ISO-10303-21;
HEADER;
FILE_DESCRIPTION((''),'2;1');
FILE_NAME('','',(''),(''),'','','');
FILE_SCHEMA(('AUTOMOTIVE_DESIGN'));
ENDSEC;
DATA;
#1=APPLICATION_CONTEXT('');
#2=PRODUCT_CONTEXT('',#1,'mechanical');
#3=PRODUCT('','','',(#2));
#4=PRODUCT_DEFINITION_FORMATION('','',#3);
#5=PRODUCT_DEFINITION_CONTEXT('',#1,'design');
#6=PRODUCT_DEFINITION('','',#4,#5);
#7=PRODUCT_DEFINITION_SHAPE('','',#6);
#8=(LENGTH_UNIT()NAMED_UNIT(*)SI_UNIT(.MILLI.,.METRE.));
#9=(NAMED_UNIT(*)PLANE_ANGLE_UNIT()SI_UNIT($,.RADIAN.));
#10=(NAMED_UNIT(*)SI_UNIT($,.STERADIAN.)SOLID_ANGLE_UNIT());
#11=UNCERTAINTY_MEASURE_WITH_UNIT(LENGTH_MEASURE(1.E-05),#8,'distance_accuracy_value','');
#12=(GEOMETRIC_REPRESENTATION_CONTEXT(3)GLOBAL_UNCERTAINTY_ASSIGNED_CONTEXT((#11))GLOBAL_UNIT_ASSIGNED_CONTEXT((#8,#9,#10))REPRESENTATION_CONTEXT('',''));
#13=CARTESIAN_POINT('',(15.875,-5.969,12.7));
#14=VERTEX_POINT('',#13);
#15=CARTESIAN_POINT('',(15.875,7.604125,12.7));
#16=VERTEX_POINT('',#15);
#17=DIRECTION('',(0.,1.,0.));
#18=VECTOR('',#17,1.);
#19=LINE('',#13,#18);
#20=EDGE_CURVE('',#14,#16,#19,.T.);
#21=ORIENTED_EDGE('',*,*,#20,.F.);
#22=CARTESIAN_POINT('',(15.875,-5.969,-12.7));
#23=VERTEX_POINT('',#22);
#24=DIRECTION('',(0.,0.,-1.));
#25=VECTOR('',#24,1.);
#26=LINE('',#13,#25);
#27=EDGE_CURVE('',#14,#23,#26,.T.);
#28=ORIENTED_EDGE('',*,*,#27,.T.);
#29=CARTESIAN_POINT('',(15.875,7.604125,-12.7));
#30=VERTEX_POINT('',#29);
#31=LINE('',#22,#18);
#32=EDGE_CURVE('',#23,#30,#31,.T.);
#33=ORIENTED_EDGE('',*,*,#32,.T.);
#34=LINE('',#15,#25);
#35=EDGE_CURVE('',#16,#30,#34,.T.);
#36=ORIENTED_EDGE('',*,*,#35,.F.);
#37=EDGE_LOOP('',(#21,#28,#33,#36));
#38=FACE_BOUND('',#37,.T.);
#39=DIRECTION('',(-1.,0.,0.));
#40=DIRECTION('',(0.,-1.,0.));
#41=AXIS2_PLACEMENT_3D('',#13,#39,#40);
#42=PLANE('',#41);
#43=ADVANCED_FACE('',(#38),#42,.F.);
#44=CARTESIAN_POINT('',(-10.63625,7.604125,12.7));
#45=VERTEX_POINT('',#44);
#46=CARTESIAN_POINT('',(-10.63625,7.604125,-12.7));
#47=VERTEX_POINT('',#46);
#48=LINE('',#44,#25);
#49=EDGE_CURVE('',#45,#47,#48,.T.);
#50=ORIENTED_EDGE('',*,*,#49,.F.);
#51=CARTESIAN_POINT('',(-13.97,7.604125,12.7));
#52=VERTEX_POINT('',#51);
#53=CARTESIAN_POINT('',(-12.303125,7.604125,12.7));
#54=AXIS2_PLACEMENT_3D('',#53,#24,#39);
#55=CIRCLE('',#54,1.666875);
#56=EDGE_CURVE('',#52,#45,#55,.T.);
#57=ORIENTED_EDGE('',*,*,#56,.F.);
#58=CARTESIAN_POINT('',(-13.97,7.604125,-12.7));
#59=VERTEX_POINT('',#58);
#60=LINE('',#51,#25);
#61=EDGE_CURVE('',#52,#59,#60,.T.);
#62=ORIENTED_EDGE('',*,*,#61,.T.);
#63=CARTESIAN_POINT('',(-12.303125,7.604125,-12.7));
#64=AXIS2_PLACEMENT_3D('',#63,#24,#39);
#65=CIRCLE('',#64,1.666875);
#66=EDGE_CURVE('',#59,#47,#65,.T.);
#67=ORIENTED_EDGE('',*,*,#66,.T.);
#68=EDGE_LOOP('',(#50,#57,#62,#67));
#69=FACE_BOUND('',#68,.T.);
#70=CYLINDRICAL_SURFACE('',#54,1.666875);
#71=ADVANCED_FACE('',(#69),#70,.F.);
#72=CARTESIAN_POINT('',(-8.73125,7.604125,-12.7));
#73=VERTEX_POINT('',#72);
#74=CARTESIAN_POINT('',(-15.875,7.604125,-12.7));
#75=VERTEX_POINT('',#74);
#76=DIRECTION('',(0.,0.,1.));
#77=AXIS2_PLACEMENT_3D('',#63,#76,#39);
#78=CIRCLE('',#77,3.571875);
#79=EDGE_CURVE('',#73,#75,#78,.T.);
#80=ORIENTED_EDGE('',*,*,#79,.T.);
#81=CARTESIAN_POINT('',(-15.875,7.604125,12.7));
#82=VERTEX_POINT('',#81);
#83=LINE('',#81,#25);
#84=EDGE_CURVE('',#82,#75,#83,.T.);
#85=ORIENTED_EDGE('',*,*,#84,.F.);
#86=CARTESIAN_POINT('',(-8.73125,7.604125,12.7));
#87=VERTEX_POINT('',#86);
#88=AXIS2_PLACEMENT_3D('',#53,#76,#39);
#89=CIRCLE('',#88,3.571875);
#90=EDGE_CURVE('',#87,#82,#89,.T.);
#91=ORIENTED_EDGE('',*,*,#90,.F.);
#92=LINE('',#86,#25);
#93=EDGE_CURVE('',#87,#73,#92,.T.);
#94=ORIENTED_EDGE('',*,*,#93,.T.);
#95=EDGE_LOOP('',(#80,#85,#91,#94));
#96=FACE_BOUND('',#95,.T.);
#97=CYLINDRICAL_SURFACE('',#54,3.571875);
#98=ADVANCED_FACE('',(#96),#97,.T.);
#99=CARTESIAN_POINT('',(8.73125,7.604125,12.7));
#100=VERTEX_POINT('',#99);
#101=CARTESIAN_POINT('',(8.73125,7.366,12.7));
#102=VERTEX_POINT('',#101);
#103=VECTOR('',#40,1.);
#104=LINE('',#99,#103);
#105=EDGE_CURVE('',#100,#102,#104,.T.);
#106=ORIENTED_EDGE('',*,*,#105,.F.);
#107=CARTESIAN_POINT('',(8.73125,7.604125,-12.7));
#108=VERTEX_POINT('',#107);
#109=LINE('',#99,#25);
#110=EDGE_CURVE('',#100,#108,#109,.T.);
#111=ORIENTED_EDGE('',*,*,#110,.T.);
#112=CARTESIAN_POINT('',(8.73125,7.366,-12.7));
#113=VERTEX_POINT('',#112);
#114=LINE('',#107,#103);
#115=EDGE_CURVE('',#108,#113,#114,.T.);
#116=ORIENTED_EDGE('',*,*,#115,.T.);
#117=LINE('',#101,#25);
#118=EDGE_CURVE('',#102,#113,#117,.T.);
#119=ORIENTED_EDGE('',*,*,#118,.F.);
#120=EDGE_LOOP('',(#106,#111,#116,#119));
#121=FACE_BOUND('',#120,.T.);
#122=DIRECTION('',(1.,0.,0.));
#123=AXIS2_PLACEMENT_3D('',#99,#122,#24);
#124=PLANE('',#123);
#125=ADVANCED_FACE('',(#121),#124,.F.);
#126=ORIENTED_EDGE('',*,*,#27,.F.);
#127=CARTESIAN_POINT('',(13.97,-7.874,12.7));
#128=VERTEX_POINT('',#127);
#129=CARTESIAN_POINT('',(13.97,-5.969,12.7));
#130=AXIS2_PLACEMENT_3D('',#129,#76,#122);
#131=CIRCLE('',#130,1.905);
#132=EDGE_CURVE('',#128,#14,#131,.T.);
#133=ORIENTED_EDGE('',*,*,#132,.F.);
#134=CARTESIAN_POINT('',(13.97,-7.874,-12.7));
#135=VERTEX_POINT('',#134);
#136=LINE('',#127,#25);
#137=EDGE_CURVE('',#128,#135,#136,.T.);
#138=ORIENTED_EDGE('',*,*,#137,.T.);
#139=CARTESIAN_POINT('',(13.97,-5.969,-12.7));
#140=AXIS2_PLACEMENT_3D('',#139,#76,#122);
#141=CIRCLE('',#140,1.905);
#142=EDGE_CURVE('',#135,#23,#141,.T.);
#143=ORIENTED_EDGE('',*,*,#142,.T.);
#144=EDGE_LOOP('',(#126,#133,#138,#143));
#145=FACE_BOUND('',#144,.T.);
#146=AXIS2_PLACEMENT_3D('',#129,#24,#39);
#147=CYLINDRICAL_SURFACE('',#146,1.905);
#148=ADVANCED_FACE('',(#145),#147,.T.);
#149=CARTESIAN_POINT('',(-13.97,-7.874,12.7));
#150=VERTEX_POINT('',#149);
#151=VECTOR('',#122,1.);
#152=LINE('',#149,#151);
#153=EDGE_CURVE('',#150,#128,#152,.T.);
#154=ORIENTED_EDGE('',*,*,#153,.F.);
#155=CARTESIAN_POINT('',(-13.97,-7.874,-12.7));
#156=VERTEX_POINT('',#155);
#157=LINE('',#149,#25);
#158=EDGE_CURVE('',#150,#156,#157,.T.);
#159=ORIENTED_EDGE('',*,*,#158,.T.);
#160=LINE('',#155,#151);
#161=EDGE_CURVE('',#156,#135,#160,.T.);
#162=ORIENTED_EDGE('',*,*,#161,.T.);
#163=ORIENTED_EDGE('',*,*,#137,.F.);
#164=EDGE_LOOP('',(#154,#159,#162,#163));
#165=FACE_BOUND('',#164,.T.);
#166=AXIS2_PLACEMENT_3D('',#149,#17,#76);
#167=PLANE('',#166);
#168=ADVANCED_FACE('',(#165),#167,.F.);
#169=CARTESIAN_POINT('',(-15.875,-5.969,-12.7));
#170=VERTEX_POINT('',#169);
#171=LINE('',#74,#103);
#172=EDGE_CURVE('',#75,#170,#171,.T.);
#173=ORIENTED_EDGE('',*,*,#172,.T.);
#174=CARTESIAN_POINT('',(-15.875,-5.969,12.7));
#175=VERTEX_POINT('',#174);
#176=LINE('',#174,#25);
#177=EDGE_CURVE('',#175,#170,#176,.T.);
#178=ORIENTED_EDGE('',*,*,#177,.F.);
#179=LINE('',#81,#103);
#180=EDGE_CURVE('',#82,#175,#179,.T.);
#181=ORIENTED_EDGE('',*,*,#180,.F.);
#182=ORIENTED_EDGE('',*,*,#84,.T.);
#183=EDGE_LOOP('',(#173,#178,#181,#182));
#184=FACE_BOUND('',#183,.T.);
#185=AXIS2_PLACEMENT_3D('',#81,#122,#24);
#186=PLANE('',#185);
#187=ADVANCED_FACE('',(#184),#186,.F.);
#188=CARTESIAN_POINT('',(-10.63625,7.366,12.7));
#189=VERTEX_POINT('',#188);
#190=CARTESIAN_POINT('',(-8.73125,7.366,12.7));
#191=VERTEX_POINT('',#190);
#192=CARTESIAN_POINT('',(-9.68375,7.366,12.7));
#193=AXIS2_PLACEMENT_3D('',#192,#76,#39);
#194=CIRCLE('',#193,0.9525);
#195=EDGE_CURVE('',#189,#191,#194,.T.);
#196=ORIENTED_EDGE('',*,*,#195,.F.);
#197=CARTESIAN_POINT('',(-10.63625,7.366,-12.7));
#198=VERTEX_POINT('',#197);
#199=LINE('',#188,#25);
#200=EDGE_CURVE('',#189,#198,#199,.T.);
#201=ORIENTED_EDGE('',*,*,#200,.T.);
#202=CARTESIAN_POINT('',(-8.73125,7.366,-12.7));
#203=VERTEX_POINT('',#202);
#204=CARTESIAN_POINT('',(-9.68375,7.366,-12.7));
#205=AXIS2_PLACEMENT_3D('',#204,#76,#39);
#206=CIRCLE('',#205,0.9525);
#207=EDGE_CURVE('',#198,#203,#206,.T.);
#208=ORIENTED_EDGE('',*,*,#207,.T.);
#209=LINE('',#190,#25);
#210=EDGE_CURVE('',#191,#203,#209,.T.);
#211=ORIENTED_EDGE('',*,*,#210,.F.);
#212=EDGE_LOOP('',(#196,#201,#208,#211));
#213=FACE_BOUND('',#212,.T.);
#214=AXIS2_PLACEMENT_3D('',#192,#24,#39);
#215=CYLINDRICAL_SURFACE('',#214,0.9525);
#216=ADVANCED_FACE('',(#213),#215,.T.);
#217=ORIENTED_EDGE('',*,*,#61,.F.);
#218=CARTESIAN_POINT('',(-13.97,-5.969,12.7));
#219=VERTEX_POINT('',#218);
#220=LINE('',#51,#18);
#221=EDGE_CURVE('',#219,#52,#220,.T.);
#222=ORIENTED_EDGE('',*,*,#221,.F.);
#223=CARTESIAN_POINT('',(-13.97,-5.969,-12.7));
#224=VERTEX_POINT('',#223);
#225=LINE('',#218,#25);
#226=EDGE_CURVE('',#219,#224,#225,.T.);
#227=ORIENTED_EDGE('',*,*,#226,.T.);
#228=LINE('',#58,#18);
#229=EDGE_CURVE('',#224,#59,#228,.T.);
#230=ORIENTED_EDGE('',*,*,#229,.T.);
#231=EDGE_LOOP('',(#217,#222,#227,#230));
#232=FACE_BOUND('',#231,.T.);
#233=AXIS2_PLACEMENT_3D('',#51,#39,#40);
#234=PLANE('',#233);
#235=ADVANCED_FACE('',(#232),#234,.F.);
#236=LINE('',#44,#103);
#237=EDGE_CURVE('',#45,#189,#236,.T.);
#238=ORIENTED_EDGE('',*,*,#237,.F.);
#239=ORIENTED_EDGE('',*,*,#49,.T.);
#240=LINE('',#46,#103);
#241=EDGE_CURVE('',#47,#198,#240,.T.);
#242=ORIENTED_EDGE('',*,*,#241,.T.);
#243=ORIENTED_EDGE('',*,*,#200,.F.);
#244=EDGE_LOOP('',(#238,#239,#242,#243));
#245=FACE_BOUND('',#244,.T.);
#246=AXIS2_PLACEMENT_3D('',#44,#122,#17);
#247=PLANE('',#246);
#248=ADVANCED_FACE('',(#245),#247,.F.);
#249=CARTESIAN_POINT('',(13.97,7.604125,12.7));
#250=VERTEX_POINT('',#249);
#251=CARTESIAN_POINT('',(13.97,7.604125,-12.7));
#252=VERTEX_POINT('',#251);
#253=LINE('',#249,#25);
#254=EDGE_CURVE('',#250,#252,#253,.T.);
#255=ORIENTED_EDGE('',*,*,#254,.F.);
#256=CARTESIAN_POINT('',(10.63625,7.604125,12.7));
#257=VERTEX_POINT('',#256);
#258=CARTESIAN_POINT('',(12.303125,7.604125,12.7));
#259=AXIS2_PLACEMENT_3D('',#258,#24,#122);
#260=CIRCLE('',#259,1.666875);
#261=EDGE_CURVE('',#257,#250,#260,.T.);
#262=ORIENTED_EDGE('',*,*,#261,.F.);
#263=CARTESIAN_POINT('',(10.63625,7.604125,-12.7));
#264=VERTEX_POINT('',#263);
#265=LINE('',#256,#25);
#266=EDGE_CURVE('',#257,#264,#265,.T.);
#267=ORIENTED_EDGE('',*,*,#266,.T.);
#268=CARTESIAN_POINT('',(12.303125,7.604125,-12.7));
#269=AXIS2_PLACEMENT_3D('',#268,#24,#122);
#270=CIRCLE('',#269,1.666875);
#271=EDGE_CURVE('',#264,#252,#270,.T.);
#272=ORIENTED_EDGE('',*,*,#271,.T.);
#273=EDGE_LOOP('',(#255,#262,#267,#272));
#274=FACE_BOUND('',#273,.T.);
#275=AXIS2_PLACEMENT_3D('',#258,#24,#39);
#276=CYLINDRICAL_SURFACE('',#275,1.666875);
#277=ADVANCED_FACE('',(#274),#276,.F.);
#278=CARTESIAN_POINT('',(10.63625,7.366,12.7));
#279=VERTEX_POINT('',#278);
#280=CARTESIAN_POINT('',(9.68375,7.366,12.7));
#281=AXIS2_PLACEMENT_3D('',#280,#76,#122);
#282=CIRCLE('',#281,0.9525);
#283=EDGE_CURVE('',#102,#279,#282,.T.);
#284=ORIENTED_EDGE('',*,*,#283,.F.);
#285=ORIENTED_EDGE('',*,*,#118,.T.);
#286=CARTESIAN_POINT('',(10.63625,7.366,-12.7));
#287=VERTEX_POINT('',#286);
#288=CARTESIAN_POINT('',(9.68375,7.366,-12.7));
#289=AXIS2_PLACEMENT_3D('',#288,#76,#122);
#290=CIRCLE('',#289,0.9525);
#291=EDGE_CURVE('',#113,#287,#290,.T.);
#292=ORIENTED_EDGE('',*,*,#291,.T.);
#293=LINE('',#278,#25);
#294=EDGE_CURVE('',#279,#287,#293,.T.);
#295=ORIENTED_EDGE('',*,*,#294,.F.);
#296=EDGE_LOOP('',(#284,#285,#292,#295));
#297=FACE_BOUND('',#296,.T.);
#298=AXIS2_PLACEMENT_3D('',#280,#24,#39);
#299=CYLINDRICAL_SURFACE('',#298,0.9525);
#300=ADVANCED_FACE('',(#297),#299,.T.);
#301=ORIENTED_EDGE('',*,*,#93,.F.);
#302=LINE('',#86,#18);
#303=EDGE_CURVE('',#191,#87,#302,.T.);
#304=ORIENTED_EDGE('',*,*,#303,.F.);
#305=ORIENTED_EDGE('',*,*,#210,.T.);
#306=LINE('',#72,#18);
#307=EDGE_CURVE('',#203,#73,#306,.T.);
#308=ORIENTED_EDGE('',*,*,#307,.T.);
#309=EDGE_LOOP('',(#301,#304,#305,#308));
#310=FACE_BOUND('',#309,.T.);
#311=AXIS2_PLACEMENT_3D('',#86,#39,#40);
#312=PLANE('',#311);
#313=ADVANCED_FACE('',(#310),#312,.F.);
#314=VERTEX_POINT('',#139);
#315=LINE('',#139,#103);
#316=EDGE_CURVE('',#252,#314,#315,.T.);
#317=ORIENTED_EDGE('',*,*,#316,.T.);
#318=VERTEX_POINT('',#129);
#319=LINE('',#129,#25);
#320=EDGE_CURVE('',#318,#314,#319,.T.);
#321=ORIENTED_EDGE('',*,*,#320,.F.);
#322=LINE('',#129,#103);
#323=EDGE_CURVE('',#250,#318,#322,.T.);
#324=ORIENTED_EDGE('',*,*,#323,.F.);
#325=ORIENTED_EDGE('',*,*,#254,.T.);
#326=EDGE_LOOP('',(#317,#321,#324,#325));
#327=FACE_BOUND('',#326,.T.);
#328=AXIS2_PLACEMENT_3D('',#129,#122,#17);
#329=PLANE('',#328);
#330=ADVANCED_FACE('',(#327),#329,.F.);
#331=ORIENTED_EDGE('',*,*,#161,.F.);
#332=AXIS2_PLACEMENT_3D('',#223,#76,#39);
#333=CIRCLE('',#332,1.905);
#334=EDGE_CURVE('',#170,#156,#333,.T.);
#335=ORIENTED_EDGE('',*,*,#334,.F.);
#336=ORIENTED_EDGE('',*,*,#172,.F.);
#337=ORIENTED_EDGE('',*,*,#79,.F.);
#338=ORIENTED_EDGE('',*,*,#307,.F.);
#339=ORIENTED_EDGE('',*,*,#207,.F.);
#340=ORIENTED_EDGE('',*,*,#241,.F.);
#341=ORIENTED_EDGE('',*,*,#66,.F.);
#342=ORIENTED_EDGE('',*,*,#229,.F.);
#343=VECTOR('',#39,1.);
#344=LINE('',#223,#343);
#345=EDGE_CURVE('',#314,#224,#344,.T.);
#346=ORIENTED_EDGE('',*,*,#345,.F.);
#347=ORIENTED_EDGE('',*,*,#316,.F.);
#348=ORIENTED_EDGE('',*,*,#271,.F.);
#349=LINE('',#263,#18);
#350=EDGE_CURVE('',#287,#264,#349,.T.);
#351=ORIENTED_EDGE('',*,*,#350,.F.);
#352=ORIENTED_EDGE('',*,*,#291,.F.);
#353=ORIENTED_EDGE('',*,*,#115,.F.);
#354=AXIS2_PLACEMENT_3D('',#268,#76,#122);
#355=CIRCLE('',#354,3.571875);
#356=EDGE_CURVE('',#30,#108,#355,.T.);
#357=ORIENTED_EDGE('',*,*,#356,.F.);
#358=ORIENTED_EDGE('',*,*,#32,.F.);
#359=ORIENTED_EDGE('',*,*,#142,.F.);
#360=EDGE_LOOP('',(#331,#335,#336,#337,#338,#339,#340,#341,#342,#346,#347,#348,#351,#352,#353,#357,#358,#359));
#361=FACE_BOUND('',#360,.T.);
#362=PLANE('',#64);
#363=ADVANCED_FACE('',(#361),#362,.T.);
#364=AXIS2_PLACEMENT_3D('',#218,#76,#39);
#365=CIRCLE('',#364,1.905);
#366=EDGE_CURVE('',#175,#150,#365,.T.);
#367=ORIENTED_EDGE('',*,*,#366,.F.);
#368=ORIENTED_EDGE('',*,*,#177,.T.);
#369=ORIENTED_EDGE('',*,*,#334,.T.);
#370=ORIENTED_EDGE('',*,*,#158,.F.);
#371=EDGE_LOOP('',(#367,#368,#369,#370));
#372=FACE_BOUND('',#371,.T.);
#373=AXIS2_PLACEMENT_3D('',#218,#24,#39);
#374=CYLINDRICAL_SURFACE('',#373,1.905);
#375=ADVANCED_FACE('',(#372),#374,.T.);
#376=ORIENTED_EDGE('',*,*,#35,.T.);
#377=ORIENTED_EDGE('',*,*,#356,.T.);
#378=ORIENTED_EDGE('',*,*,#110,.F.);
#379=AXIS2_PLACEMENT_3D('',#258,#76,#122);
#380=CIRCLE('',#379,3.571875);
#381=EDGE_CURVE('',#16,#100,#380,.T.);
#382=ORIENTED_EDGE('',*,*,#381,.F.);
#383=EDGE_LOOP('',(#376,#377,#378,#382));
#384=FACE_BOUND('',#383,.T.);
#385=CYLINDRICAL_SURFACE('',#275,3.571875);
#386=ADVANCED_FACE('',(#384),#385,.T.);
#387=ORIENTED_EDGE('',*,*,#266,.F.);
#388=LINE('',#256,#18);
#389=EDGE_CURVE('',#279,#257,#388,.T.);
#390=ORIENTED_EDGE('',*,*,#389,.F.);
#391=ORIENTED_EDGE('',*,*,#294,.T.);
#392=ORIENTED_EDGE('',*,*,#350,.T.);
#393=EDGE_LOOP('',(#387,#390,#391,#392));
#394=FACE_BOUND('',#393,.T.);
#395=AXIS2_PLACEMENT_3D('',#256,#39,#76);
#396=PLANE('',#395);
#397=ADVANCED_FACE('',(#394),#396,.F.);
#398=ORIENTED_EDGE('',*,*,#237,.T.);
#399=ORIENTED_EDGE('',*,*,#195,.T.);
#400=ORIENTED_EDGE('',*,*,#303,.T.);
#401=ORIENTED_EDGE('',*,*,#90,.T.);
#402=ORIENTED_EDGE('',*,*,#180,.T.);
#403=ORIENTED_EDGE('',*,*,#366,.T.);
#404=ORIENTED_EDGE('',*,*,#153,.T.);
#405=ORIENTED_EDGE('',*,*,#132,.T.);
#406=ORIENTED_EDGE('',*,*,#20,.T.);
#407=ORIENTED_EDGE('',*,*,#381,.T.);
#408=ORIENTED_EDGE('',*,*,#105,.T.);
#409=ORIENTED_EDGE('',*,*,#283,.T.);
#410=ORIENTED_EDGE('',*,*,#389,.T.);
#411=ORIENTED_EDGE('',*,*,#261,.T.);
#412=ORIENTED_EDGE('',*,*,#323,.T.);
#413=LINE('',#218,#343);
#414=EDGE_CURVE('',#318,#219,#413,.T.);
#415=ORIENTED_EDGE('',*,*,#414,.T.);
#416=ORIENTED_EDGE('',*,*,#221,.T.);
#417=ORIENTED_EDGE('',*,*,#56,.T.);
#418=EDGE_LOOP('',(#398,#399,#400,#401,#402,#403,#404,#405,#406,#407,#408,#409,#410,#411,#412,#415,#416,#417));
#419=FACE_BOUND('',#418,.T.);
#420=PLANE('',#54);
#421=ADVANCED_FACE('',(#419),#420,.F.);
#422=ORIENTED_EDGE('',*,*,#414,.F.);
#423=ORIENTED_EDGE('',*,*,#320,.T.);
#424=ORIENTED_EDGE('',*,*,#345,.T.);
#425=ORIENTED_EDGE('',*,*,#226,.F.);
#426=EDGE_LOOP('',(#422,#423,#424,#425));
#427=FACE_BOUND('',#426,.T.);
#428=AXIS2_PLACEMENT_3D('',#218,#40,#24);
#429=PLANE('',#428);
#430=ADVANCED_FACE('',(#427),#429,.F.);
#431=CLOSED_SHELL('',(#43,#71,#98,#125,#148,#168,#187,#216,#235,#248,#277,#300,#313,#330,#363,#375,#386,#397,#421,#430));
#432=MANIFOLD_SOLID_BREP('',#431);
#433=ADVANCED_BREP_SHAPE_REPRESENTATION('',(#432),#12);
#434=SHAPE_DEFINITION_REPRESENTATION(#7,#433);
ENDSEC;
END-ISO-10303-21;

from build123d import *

# Parameters (mm, degrees)
BASE_EXTRUDE_DEPTH = 12.7


with BuildPart() as part:
    # Sketch1 → Base-Extrude (new, symmetric)
    with BuildSketch(Plane.XY):
        with BuildLine():
            Line((-15.875, 7.604125), (-15.875, -5.969))
            ThreePointArc((-15.875, -5.969), (-15.317038418, -7.316038418), (-13.97, -7.874))
            Line((-13.97, -7.874), (13.97, -7.874))
            ThreePointArc((13.97, -7.874), (15.317038418, -7.316038418), (15.875, -5.969))
            Line((15.875, -5.969), (15.875, 7.604125))
            ThreePointArc((15.875, 7.604125), (12.303125, 11.176), (8.73125, 7.604125))
            Line((8.73125, 7.604125), (8.73125, 7.366))
            ThreePointArc((8.73125, 7.366), (9.68375, 6.4135), (10.63625, 7.366))
            Line((10.63625, 7.366), (10.63625, 7.604125))
            ThreePointArc((10.63625, 7.604125), (12.303125, 9.271), (13.97, 7.604125))
            Line((13.97, 7.604125), (13.97, -5.969))
            Line((13.97, -5.969), (-13.97, -5.969))
            Line((-13.97, -5.969), (-13.97, 7.604125))
            ThreePointArc((-13.97, 7.604125), (-12.303125, 9.271), (-10.63625, 7.604125))
            Line((-10.63625, 7.604125), (-10.63625, 7.366))
            ThreePointArc((-10.63625, 7.366), (-9.68375, 6.4135), (-8.73125, 7.366))
            Line((-8.73125, 7.366), (-8.73125, 7.604125))
            ThreePointArc((-8.73125, 7.604125), (-12.303125, 11.176), (-15.875, 7.604125))
        make_face()
    extrude(amount=BASE_EXTRUDE_DEPTH, both=True)


solid = part.part
